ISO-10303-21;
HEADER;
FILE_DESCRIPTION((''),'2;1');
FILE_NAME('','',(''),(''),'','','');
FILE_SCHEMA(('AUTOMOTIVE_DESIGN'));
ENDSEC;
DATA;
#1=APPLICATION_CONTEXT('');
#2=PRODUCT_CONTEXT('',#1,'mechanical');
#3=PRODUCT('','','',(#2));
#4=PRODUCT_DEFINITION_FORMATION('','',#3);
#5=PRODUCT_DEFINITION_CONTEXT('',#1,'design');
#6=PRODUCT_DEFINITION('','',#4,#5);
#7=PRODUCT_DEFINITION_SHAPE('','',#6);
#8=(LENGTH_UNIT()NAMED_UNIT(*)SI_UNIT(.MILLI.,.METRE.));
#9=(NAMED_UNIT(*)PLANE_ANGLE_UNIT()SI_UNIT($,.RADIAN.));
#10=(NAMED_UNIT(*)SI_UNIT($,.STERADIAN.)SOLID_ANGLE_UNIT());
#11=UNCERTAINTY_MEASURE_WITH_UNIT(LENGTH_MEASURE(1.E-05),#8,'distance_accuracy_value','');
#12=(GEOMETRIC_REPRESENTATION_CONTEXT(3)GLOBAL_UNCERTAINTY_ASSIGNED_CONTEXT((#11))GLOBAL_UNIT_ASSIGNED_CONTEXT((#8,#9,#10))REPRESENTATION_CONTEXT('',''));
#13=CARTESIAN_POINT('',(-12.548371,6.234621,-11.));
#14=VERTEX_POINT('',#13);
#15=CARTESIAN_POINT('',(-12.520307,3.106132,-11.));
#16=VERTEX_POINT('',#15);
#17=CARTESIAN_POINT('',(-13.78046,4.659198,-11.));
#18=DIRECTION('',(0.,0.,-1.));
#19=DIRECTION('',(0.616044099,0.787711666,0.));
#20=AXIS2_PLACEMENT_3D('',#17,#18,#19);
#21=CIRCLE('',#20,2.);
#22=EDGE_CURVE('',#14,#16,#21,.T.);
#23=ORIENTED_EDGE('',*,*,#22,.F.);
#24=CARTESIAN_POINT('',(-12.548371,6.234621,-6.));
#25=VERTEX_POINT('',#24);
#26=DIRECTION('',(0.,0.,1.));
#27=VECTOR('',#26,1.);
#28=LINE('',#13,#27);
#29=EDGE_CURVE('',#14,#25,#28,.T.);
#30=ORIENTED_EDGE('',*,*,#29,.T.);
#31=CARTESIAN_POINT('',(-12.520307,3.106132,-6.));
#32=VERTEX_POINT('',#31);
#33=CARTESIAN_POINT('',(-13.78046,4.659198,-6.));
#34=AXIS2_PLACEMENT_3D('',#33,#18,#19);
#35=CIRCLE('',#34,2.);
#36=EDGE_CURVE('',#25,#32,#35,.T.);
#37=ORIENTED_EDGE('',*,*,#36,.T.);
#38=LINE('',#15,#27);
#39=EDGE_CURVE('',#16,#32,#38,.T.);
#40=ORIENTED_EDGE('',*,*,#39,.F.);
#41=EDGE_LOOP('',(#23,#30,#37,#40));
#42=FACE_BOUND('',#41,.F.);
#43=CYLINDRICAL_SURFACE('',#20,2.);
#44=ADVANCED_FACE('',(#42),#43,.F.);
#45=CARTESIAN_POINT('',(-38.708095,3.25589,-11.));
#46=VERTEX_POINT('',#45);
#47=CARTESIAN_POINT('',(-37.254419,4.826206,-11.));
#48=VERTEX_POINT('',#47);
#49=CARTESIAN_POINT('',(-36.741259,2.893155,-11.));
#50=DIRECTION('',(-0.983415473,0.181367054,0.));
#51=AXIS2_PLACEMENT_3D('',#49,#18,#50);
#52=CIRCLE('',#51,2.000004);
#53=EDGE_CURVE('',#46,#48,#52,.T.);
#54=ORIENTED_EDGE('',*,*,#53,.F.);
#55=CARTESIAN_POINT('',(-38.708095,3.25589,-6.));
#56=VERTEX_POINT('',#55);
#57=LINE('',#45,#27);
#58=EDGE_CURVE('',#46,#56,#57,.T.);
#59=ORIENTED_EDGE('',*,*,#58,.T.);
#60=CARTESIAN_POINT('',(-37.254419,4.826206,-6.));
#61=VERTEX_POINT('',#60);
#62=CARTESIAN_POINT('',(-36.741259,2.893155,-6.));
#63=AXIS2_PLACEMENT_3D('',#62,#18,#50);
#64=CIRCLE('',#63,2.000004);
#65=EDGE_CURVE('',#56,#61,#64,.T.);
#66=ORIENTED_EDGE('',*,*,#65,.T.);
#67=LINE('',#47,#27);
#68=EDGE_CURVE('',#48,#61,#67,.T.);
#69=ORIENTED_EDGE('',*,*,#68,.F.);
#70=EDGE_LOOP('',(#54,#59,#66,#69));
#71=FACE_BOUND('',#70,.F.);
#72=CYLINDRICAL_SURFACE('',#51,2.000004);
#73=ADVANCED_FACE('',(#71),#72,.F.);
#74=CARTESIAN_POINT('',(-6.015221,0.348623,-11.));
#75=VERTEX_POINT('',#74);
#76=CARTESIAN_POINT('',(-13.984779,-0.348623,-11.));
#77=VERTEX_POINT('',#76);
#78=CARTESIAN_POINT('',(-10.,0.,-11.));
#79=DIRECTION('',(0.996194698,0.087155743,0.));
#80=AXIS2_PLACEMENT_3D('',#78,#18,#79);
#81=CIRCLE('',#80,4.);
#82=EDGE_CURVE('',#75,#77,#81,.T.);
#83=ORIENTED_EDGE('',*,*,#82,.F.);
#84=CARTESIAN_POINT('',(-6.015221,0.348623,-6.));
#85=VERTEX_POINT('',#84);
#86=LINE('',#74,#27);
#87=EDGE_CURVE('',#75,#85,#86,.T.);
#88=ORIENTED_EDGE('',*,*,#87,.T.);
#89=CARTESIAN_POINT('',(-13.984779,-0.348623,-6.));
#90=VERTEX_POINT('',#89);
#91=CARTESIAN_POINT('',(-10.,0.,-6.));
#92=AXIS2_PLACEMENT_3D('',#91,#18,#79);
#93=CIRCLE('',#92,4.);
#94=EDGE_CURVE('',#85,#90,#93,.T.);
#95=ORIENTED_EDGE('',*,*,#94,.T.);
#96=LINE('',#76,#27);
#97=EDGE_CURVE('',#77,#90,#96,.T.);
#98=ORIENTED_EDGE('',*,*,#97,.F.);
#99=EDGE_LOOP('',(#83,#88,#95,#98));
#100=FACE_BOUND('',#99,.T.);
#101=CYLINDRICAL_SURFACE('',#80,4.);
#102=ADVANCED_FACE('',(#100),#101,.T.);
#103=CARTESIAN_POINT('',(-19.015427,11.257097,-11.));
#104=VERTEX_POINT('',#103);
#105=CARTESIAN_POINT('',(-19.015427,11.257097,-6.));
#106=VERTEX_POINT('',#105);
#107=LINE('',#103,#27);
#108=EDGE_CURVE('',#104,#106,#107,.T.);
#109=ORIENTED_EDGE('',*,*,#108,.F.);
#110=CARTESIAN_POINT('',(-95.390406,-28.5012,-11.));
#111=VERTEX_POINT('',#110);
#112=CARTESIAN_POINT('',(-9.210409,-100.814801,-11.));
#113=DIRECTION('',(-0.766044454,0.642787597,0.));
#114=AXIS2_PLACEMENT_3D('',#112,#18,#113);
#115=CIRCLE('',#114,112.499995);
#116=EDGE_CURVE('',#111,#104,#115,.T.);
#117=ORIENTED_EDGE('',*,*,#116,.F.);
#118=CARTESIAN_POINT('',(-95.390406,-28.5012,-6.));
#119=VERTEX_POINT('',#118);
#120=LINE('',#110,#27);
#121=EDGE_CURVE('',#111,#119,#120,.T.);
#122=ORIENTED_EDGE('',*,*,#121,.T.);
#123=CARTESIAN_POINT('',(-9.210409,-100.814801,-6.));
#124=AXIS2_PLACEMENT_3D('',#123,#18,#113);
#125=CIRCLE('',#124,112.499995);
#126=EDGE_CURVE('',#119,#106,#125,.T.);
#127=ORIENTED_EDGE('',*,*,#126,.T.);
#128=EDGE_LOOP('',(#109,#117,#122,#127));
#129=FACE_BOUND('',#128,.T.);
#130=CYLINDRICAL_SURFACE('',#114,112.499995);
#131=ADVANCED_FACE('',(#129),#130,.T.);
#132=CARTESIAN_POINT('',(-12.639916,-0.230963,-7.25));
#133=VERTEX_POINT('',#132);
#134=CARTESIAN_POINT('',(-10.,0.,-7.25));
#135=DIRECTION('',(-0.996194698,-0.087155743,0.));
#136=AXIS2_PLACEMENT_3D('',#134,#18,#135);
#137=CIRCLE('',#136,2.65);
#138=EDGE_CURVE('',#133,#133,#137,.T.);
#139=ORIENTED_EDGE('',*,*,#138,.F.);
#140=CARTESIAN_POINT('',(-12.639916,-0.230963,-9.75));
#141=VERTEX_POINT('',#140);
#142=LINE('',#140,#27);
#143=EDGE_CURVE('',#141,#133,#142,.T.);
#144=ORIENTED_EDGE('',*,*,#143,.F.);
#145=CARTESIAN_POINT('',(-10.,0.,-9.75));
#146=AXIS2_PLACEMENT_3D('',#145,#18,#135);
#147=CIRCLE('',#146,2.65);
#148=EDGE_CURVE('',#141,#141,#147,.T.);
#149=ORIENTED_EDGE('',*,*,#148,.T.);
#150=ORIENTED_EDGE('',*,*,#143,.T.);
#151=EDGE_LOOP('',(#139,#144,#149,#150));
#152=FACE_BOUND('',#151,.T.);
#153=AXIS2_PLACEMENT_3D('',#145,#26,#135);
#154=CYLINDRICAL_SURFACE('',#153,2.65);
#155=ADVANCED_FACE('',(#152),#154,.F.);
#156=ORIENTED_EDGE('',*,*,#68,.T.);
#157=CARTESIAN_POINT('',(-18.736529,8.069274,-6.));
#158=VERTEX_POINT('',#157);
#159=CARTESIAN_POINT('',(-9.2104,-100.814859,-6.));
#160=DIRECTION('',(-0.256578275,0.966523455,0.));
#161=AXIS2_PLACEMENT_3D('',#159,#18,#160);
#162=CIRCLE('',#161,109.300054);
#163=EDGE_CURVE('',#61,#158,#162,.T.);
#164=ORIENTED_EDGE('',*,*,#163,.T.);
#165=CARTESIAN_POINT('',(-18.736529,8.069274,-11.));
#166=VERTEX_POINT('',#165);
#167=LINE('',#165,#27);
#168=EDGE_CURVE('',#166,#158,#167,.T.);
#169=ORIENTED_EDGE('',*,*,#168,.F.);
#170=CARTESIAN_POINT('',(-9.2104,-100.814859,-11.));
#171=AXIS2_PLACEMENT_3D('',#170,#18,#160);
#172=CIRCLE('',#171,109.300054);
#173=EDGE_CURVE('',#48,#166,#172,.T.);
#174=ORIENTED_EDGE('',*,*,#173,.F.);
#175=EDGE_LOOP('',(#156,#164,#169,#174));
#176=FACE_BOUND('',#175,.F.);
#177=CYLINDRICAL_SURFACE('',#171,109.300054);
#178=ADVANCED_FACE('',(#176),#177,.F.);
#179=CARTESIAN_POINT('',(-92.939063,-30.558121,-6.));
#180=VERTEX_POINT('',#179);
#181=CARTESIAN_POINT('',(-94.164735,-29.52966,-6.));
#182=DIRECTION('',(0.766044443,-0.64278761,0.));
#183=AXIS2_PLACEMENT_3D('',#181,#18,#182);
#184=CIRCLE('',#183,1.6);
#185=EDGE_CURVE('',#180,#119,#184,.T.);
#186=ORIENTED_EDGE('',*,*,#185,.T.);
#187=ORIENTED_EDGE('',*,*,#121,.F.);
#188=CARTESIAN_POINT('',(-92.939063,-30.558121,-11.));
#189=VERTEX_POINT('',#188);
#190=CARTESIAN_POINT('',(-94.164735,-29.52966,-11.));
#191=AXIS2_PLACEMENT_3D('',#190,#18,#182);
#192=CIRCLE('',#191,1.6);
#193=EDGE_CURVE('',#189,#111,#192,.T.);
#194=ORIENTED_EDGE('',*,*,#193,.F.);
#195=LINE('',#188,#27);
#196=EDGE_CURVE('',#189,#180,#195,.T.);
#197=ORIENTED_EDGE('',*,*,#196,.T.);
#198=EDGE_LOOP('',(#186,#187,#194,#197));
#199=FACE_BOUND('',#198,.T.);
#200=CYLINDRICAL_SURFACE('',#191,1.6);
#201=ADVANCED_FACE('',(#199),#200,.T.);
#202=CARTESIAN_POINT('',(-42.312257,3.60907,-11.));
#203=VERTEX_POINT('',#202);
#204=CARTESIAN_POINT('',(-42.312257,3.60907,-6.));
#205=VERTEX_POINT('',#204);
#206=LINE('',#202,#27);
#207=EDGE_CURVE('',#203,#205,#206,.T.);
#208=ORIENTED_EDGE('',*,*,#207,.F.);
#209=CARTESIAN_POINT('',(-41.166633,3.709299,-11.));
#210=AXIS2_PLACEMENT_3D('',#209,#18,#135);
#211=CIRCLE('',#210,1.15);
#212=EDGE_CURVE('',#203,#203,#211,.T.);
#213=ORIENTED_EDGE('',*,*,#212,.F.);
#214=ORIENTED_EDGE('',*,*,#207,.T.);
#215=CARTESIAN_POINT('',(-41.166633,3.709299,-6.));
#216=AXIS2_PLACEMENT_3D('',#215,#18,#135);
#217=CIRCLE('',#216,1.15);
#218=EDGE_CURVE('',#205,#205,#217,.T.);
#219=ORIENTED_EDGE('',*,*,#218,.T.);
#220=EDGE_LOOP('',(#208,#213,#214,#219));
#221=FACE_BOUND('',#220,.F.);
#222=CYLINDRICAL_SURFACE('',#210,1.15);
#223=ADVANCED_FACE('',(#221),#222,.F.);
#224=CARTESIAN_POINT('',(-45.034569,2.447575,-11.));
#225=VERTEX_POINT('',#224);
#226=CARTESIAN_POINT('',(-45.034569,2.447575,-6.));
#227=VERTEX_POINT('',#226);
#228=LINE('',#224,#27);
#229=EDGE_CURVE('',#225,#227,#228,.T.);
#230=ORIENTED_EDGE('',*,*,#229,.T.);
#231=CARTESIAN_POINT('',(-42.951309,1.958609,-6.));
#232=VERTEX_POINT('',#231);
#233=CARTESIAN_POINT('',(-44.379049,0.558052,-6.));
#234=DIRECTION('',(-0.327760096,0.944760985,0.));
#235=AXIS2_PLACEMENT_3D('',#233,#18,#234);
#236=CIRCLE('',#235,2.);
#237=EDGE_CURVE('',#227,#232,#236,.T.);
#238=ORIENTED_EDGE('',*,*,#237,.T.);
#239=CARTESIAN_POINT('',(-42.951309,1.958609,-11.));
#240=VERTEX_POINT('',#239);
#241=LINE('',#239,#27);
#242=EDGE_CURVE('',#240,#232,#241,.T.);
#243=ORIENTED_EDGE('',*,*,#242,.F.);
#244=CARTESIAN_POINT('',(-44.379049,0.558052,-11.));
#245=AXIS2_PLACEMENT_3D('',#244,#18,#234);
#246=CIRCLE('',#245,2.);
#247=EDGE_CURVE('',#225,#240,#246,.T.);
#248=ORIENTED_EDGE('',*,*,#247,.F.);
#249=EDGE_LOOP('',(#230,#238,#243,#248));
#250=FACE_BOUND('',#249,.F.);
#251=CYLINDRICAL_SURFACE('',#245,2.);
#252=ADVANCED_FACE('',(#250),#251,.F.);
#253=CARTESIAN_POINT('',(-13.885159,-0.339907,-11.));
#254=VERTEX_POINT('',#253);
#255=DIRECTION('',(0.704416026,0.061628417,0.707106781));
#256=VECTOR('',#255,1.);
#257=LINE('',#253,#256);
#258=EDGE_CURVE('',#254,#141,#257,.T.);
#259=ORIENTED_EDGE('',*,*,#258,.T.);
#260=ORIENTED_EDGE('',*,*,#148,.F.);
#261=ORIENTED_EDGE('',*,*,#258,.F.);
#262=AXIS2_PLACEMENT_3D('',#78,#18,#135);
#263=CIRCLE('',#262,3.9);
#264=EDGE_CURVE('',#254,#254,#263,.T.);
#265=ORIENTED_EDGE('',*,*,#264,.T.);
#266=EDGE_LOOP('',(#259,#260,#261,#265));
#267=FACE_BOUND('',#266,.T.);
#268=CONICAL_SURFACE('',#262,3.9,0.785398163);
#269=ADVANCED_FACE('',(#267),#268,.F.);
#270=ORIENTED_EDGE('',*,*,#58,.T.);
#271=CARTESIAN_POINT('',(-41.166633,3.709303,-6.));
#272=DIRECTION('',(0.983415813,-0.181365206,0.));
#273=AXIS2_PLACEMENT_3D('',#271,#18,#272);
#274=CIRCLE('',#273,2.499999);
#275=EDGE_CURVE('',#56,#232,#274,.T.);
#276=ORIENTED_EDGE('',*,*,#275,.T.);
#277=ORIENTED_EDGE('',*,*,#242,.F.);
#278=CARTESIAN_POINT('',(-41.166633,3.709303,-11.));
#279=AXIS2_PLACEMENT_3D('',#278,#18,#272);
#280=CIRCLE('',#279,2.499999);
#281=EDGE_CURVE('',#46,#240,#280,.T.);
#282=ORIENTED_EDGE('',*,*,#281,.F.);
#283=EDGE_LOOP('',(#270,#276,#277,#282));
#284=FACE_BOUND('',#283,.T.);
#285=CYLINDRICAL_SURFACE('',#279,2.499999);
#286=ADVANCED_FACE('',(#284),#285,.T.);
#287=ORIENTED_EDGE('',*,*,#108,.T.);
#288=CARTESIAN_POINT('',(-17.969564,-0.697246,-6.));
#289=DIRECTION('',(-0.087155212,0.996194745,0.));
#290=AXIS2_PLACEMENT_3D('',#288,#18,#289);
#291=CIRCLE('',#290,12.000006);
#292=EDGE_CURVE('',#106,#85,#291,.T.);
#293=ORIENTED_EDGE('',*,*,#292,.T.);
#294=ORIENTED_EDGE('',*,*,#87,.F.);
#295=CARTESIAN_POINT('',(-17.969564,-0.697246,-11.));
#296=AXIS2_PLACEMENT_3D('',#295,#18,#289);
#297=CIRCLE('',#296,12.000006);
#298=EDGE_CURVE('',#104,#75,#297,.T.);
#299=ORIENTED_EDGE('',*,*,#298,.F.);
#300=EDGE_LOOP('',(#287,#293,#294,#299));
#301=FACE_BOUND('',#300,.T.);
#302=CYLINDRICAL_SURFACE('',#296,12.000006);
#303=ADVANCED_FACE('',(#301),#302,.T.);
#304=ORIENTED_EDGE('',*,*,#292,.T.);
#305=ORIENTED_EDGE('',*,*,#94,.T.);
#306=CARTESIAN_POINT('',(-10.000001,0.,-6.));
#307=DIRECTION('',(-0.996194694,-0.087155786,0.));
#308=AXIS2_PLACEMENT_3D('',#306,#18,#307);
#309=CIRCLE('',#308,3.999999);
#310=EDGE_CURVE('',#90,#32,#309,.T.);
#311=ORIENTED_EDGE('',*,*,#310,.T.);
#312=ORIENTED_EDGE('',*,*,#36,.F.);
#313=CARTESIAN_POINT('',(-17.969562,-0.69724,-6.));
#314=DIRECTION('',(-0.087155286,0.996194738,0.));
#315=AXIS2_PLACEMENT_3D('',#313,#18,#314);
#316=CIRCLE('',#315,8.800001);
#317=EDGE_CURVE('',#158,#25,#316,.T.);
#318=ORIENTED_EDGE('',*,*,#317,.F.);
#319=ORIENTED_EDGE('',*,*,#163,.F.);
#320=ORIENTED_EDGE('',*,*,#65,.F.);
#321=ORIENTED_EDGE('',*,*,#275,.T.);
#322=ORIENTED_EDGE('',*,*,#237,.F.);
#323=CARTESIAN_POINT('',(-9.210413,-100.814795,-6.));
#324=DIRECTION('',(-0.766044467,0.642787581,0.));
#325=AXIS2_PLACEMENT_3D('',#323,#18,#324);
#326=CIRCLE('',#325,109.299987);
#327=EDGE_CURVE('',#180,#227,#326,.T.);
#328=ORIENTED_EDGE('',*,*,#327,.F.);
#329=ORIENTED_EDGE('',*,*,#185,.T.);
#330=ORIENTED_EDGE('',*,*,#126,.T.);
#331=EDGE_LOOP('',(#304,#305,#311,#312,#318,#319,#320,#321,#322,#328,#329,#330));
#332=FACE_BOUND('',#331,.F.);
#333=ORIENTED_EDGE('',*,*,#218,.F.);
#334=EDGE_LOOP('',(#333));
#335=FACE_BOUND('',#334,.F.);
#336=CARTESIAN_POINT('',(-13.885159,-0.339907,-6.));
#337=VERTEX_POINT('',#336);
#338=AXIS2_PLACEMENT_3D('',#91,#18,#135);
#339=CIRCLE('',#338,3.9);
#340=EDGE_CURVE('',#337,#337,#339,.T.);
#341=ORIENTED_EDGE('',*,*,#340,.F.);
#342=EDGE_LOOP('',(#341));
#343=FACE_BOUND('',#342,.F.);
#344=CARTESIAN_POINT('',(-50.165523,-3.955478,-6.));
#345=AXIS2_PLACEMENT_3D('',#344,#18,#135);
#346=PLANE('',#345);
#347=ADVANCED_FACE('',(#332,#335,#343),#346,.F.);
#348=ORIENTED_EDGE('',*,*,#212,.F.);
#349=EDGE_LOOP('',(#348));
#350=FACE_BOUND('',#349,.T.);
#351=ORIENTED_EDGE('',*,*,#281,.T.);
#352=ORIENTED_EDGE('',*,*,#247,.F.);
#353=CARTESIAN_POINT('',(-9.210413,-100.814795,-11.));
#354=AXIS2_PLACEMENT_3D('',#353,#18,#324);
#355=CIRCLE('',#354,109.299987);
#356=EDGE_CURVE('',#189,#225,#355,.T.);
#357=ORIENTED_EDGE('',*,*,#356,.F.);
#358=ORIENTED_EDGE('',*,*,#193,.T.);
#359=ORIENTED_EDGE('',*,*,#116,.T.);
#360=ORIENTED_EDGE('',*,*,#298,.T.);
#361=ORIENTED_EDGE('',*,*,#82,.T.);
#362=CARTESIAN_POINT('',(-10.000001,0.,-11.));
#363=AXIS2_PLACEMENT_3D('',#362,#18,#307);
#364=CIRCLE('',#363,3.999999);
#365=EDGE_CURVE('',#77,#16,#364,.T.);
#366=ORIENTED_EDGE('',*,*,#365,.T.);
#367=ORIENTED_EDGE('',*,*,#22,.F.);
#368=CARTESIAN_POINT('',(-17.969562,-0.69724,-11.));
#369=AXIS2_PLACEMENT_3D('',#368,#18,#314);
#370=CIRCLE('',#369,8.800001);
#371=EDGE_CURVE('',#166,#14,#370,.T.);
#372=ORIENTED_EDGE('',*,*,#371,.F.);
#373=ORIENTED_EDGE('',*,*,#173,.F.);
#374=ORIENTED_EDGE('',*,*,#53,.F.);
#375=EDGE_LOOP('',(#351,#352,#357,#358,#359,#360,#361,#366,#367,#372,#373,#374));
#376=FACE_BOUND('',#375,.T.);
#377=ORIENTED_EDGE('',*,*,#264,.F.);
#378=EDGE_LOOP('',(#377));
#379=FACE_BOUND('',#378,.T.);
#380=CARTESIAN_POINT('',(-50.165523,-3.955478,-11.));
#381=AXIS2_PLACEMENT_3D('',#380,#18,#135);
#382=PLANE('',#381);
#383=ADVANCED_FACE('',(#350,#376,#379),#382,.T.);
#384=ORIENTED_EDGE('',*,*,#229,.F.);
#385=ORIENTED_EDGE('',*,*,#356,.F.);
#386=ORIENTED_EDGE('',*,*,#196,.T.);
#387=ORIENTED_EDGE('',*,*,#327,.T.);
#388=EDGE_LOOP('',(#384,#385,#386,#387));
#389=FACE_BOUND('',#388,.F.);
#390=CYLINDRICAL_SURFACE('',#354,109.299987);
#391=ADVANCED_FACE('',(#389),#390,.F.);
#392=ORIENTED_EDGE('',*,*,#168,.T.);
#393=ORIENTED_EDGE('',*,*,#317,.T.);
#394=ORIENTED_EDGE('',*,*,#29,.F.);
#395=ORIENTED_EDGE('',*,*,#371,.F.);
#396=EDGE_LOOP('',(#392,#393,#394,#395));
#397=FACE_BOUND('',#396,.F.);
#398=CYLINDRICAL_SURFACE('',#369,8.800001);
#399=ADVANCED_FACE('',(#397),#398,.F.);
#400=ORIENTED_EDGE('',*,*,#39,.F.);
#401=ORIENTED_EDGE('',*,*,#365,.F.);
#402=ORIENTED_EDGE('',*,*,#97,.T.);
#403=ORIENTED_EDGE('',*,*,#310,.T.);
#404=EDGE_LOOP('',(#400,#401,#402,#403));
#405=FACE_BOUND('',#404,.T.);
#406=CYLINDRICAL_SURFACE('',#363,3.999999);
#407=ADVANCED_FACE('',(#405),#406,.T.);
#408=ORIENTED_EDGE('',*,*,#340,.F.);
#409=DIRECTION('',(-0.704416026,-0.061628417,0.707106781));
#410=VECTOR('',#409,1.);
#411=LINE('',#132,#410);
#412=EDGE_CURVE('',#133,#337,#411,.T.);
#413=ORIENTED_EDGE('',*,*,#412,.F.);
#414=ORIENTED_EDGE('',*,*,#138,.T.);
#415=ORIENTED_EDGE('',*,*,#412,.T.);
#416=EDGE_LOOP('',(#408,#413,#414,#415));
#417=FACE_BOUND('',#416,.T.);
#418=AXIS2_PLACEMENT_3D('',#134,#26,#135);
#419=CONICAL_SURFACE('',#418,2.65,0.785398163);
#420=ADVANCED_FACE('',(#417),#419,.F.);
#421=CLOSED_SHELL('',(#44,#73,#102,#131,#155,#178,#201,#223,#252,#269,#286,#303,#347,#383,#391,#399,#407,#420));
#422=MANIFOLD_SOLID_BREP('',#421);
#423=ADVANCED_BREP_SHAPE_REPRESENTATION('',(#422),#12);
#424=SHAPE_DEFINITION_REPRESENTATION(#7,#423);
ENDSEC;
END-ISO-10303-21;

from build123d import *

# Parameters (mm, degrees)
PAD002_DEPTH            = 5
SKETCH016_R             = 1.15
POCKET004_DEPTH         = 5.001
POCKET004_DEPTH_BACK    = 0.001
BODY009_ROLL_ANGLE      = 180
BODY009_PLACEMENT_ANGLE = -175


with BuildPart() as part:
    # Sketch017 → Pad002 (new body)
    with BuildSketch(Plane.XY):
        with BuildLine():
            ThreePointArc((-4, 0), (0, -4), (4, 0))
            ThreePointArc((4, 0), (3.532704, 1.876167), (2.239999, 3.313971))
            ThreePointArc((1.995291, 6.433002), (1.366125, 4.814525), (2.239999, 3.313971))
            ThreePointArc((8, 8.800007), (4.772802, 8.186897), (1.995291, 6.433002))
            ThreePointArc((26.730076, 7.18322), (17.399864, 8.39506), (8, 8.800007))
            ThreePointArc((28.315082, 5.745576), (27.73102, 6.694204), (26.730076, 7.18322))
            ThreePointArc((28.315082, 5.745576), (30.204969, 3.966171), (32.655215, 4.823052))
            ThreePointArc((34.687932, 5.491725), (33.574624, 5.452108), (32.655215, 4.823052))
            ThreePointArc((85.286771, -23.213222), (61.932163, -5.432586), (34.687932, 5.491725))
            ThreePointArc((85.286771, -23.213222), (87.549513, -23.213222), (87.549513, -20.95048))
            ThreePointArc((87.549513, -20.95048), (51.051886, 3.436455), (8, 12.000007))
            ThreePointArc((8, 12.000007), (-0.485282, 8.485284), (-4, 0))
        make_face()
    extrude(amount=-PAD002_DEPTH)

    # Sketch016 → Pocket004 (cut, two sides)
    with BuildSketch(Plane.XY) as pocket004_sk:
        with Locations((30.724748, 6.411535)):
            Circle(SKETCH016_R)
    extrude(amount=-POCKET004_DEPTH, mode=Mode.SUBTRACT)
    extrude(pocket004_sk.sketch, amount=POCKET004_DEPTH_BACK, mode=Mode.SUBTRACT)

    # Sketch014 → Groove001 (revolve, cut)
    with BuildSketch(Plane.XZ):
        Polygon((0, 0), (3.9, 0), (2.65, -1.25), (2.65, -3.75), (3.9, -5), (0, -5), align=None)
    revolve(axis=Axis((0, 0, 0), (0, 0, 1)), mode=Mode.SUBTRACT)


with BuildPart() as part_1:
    # Body009 roll: moved
    add(part.part.rotate(Axis((0, 0, 0), (1, 0, 0)), BODY009_ROLL_ANGLE))


with BuildPart() as part_2:
    # Body009 placement: moved
    add(part_1.part.moved(Location((-10, 0, -11))).rotate(Axis((-10, 0, -11), (0, 0, 1)), BODY009_PLACEMENT_ANGLE))


solid = part_2.part
